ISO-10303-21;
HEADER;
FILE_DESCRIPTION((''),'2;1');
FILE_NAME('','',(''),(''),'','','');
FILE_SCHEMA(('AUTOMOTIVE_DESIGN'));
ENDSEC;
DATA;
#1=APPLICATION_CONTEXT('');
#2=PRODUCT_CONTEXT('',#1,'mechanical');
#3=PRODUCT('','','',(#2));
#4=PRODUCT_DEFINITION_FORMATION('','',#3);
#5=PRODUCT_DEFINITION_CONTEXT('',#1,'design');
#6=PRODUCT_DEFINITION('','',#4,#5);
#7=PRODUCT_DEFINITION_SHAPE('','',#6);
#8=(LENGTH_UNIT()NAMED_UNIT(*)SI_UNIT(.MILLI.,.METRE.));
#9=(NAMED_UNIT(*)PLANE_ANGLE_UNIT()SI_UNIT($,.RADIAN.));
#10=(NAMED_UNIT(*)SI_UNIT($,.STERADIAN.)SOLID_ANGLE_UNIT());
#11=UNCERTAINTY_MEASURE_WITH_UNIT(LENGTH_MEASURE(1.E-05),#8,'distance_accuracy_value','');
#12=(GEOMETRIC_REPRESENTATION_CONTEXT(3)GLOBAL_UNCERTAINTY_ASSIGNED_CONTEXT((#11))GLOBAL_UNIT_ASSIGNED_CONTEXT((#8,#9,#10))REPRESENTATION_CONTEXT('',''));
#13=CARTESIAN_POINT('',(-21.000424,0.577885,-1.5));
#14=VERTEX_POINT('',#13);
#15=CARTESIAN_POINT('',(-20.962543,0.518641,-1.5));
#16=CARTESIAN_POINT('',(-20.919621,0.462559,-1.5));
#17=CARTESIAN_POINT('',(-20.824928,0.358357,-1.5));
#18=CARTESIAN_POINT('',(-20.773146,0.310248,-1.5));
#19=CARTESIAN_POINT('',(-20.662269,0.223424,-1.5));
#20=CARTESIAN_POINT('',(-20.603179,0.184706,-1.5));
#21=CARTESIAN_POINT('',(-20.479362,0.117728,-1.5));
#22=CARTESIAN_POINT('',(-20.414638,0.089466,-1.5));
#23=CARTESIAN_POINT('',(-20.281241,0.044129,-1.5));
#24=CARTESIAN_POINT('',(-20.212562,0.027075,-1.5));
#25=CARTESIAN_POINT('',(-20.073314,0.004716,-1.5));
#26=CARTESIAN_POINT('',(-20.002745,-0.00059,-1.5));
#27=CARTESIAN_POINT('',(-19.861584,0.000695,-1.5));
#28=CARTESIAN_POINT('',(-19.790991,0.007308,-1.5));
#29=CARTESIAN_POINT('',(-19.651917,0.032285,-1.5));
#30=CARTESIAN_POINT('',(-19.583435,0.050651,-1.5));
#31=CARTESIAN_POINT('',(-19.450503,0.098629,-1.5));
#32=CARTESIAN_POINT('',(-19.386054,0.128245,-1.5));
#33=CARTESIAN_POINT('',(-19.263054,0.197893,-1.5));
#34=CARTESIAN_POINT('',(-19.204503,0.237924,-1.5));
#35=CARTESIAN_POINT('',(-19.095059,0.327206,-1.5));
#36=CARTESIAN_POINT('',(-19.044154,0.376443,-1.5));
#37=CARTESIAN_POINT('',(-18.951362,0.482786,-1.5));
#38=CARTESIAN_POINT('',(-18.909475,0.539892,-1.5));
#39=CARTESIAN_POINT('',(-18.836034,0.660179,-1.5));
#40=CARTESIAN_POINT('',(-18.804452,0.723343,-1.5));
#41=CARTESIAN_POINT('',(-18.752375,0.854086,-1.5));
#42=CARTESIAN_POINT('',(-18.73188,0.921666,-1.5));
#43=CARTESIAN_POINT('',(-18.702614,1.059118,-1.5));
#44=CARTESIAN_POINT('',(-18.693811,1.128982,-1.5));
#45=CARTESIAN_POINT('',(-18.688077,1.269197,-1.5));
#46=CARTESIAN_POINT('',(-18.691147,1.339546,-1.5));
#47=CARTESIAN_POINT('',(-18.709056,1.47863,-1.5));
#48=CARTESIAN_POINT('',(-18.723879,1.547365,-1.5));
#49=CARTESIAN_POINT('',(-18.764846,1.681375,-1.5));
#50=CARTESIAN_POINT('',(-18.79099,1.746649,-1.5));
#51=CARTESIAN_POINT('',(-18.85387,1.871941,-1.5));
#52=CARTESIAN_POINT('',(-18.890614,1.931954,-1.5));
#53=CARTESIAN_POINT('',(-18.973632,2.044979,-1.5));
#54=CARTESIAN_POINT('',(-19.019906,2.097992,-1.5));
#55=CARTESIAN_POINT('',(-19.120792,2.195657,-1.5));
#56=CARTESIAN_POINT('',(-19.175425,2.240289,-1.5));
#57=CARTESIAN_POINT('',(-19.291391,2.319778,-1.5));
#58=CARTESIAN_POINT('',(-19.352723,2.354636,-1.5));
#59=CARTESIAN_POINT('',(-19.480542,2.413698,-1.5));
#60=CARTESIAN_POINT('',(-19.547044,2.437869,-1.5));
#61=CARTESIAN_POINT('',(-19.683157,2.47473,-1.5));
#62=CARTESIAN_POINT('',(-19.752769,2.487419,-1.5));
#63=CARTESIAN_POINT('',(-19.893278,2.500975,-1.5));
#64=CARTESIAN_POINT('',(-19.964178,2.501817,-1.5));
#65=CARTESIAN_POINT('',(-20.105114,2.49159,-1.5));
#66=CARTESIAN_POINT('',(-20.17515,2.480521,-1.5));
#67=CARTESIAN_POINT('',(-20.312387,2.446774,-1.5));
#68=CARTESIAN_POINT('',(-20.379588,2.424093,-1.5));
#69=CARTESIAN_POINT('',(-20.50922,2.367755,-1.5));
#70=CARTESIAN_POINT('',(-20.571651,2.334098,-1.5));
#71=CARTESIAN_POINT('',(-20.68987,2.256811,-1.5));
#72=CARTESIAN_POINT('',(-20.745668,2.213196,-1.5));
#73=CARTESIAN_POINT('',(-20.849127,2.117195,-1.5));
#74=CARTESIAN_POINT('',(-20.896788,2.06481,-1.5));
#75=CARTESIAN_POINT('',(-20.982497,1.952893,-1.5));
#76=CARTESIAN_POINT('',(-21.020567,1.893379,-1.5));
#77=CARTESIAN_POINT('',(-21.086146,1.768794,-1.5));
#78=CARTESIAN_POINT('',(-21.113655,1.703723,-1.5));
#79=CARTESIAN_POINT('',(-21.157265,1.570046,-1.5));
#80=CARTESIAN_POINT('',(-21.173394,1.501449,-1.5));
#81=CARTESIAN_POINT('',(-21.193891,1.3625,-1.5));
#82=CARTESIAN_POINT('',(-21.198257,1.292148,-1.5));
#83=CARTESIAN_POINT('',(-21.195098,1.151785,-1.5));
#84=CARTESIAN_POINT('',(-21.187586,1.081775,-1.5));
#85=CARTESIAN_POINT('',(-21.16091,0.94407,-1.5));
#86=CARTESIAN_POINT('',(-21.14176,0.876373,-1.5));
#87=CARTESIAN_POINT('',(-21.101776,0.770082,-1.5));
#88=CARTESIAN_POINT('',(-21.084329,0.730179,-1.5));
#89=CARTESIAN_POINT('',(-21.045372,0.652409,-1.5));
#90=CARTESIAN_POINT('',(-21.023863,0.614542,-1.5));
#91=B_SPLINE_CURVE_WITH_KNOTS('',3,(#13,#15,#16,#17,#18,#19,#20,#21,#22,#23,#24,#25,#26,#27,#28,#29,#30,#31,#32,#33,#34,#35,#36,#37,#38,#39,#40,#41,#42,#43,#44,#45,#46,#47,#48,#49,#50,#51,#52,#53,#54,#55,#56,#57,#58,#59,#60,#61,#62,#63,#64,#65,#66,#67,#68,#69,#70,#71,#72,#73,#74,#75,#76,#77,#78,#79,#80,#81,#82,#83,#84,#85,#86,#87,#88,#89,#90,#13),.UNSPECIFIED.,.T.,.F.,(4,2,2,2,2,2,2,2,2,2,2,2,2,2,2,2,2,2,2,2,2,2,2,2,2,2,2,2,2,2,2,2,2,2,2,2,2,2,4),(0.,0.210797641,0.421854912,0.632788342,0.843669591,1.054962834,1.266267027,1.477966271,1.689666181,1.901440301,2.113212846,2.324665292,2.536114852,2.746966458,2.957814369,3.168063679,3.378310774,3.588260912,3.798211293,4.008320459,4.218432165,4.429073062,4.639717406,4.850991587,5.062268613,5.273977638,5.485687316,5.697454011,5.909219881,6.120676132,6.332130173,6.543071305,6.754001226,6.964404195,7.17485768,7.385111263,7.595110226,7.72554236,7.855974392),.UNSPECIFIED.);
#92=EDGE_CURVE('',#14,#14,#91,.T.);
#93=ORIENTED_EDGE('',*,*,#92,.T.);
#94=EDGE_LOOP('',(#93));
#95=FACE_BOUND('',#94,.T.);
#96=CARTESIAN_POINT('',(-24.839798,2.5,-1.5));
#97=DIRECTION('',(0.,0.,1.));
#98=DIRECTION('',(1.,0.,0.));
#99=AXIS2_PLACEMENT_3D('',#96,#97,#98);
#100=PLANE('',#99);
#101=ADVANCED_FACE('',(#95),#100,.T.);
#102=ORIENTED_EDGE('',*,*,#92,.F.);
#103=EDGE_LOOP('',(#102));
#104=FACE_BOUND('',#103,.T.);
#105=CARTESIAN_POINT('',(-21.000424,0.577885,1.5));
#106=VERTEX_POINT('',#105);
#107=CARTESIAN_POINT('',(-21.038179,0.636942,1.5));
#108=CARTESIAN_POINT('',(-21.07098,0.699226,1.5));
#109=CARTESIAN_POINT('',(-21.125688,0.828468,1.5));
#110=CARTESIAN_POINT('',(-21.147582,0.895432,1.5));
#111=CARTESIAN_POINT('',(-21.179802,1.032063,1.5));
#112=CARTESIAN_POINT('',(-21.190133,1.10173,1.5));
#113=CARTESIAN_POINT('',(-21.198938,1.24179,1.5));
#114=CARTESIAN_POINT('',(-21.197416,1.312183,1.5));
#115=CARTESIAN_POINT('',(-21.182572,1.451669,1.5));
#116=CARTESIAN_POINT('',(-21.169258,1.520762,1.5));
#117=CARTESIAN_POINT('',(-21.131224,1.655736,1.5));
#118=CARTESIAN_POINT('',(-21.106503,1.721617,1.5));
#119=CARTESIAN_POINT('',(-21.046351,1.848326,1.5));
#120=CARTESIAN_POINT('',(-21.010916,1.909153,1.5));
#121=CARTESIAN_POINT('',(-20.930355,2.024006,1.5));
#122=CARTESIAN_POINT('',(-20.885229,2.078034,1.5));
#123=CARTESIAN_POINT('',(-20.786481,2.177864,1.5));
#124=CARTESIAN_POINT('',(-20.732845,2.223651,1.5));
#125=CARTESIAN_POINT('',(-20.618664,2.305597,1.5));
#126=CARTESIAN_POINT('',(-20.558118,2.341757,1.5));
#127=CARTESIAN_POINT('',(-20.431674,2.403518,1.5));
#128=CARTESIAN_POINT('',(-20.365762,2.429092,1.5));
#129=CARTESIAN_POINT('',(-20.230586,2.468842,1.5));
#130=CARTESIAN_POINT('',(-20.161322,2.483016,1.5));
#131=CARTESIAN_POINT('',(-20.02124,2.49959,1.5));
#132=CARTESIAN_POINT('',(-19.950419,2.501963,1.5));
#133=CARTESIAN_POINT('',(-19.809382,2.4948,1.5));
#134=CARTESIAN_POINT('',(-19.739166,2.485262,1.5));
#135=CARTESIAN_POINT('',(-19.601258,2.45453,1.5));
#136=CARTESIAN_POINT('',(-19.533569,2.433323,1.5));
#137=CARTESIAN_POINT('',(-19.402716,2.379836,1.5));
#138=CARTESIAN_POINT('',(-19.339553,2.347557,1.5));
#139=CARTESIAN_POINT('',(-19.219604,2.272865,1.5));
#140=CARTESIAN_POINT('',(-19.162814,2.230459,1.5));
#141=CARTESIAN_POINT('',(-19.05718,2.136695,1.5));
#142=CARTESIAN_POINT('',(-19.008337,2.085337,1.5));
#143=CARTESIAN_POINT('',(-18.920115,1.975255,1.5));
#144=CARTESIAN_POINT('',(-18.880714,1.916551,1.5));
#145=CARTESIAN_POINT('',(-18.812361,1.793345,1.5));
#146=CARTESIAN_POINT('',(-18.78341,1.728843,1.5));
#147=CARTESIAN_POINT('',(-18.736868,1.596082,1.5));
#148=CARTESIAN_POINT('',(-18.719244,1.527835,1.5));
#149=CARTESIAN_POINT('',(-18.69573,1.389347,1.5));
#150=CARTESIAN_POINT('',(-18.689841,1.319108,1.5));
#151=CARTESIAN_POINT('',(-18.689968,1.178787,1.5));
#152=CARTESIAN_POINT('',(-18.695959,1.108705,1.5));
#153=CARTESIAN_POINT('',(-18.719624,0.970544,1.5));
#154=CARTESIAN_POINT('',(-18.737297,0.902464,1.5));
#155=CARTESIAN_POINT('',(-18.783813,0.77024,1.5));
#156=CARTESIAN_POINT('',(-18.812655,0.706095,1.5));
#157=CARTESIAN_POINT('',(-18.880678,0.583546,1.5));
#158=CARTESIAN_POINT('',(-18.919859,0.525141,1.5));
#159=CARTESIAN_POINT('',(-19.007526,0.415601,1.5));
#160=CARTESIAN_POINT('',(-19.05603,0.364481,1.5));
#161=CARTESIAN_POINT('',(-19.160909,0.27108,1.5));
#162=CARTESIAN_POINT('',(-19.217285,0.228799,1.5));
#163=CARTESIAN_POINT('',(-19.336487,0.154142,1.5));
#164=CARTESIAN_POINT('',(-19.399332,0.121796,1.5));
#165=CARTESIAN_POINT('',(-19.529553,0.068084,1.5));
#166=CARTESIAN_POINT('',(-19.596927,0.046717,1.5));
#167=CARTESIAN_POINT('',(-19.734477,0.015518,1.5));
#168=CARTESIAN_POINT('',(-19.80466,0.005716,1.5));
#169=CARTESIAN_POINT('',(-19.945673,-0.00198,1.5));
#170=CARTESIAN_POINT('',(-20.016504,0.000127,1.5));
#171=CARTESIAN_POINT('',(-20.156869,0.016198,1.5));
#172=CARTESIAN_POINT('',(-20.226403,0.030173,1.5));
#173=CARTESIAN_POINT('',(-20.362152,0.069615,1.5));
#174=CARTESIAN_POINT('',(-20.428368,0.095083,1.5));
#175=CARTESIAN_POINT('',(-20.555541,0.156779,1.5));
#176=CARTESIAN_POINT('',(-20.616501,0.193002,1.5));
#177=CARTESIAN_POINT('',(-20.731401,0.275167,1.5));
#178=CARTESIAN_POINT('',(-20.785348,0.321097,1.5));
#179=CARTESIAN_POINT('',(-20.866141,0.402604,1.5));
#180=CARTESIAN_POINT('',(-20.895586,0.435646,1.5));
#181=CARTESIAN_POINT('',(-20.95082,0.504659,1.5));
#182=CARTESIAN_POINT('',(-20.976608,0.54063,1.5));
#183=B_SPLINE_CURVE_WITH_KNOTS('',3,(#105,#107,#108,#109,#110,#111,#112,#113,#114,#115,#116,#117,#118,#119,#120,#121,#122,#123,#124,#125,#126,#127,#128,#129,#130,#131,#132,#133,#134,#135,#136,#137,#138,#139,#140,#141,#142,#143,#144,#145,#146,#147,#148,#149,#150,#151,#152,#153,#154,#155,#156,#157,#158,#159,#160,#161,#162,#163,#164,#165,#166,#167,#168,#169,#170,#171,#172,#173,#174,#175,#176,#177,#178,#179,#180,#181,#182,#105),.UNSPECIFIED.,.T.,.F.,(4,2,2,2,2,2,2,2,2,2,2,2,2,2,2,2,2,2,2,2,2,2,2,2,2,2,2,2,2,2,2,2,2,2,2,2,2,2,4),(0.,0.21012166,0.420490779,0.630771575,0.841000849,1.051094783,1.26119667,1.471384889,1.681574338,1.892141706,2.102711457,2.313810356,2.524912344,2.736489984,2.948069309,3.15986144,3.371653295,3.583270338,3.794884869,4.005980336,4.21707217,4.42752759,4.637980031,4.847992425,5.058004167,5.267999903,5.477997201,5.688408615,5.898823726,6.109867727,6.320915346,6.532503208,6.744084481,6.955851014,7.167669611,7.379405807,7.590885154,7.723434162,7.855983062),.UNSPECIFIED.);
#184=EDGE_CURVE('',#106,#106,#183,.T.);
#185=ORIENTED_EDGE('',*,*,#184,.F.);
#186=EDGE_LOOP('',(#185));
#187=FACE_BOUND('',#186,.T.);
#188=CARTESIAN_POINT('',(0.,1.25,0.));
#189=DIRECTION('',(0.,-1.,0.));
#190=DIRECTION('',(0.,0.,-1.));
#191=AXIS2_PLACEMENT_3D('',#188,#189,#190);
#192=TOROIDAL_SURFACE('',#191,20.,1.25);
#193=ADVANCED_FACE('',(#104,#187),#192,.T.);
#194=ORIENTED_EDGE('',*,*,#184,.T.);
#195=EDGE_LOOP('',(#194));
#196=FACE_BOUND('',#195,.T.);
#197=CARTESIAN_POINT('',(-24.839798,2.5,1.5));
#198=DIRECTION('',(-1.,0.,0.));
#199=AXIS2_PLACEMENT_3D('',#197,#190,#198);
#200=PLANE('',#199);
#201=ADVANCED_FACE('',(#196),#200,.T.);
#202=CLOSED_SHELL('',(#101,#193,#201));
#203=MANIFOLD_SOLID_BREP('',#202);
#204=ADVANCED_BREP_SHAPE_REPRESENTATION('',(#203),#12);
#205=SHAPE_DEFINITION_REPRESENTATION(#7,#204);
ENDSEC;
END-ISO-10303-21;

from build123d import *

# Parameters (mm, degrees)
SKETCH_1_R          = 1.25
SKETCH_2_W          = 8.762505604
SKETCH_2_H          = 3
CUT_EXTRUDE_1_DEPTH = 31.155845354


with BuildPart() as part:
    # Эскиз1 → Повернуть1 (revolve)
    with BuildSketch(Plane.XY, mode=Mode.PRIVATE) as revolve_1_sk:
        with Locations((-20, 1.25)):
            Circle(SKETCH_1_R)
    revolve(revolve_1_sk.sketch.rotate(Axis((0, 0, 0), (0, 1, 0)), 270), axis=Axis((0, 0, 0), (0, 1, 0)))

    # Эскиз2 → Вырез-Вытянуть1 (cut, through all)
    with BuildSketch(Plane(origin=(0, 0, 0), x_dir=(1, 0, 0), z_dir=(0, 1, 0))):
        with Locations((-20.458545692, 0)):
            Rectangle(SKETCH_2_W, SKETCH_2_H)
    extrude(amount=CUT_EXTRUDE_1_DEPTH, mode=Mode.SUBTRACT)


solid = part.part
